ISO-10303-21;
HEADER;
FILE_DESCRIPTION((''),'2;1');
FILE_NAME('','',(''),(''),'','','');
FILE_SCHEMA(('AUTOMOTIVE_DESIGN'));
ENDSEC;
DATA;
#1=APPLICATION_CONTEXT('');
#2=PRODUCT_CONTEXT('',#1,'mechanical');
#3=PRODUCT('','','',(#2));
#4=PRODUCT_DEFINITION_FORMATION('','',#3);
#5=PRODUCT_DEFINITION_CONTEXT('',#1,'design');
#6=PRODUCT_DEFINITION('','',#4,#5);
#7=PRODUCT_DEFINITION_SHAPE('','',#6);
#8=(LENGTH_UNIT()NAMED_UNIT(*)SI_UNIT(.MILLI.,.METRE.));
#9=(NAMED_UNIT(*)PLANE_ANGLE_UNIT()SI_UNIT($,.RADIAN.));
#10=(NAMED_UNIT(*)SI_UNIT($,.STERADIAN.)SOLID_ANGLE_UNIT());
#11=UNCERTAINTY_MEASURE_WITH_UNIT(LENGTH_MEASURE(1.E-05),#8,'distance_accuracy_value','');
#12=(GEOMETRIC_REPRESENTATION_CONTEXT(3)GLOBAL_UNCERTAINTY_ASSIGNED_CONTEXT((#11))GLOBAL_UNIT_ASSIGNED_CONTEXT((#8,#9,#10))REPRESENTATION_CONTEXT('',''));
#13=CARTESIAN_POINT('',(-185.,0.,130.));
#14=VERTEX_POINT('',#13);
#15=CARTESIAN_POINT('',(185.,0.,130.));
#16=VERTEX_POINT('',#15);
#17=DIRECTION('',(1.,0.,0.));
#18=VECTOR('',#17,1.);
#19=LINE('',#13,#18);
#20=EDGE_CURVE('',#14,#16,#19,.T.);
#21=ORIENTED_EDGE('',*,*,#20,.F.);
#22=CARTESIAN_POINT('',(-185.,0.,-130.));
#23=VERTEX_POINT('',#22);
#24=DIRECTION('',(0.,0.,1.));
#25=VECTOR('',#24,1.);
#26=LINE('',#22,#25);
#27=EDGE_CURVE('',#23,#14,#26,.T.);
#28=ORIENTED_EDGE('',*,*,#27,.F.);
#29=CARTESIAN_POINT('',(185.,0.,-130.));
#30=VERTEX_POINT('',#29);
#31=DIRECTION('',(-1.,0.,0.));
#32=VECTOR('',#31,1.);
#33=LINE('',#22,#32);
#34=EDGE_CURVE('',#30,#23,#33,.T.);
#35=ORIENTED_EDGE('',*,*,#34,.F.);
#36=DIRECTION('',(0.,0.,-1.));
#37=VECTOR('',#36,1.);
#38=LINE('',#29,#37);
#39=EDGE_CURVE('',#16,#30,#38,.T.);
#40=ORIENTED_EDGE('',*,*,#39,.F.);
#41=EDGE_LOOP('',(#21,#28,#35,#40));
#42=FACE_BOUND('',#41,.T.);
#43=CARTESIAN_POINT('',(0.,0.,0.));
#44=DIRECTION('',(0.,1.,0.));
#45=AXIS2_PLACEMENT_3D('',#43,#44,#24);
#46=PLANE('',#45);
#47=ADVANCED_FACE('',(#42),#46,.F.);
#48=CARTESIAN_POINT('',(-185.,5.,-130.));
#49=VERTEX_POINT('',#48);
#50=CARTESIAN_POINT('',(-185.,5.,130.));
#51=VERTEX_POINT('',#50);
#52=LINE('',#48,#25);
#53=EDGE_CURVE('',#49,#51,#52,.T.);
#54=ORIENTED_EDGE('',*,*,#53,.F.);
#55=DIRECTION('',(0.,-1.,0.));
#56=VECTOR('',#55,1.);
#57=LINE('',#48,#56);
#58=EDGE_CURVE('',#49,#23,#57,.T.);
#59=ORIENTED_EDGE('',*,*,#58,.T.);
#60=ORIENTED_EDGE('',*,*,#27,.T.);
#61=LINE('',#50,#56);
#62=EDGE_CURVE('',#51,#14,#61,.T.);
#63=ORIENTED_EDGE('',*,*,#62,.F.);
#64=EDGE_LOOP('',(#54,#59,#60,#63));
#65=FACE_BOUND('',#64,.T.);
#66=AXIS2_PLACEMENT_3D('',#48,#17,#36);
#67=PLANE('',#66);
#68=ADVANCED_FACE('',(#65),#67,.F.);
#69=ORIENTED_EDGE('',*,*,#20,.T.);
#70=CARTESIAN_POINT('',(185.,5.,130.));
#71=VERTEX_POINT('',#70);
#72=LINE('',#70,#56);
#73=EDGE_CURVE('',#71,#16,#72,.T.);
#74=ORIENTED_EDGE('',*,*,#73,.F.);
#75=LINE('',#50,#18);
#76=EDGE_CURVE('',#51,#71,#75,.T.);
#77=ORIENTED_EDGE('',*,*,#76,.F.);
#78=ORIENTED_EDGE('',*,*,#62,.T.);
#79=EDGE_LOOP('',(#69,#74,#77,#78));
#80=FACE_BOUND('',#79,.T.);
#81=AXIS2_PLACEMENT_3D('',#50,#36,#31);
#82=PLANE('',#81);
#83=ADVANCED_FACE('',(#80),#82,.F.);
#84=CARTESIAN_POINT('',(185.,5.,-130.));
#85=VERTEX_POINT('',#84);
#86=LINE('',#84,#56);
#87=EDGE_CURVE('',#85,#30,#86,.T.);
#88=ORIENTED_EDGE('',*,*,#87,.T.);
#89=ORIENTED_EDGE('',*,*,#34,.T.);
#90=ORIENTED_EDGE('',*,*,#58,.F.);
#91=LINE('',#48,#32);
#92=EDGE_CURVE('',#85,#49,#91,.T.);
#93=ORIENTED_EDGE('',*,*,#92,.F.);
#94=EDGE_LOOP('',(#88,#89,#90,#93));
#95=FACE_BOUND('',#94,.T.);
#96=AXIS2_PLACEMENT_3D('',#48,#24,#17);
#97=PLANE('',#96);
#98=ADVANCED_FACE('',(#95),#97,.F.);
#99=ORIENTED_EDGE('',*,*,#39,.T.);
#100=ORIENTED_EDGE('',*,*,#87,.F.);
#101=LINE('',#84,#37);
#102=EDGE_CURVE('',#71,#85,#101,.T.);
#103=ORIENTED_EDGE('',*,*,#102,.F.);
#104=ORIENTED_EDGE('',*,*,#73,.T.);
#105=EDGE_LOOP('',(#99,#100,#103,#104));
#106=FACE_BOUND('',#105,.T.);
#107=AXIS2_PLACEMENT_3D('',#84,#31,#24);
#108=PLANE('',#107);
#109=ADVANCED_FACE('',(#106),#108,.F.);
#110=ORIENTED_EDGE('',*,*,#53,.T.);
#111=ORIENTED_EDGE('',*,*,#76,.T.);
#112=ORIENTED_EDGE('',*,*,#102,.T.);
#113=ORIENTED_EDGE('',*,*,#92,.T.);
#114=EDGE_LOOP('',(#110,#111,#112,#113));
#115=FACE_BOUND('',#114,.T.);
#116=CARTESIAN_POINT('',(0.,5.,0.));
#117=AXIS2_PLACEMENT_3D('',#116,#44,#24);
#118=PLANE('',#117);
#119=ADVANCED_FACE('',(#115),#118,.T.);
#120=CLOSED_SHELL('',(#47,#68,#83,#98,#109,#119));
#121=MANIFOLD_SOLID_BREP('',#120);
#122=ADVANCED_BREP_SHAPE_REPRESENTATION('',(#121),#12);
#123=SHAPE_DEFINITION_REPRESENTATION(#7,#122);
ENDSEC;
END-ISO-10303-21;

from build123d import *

# Parameters (mm, degrees)
SKETCH1_W           = 370
SKETCH1_H           = 260
BOSS_EXTRUDE1_DEPTH = 5


with BuildPart() as part:
    # Sketch1 → Boss-Extrude1 (new body)
    with BuildSketch(Plane(origin=(0, 0, 0), x_dir=(1, 0, 0), z_dir=(0, 1, 0))):
        Rectangle(SKETCH1_W, SKETCH1_H)
    extrude(amount=BOSS_EXTRUDE1_DEPTH)


solid = part.part
